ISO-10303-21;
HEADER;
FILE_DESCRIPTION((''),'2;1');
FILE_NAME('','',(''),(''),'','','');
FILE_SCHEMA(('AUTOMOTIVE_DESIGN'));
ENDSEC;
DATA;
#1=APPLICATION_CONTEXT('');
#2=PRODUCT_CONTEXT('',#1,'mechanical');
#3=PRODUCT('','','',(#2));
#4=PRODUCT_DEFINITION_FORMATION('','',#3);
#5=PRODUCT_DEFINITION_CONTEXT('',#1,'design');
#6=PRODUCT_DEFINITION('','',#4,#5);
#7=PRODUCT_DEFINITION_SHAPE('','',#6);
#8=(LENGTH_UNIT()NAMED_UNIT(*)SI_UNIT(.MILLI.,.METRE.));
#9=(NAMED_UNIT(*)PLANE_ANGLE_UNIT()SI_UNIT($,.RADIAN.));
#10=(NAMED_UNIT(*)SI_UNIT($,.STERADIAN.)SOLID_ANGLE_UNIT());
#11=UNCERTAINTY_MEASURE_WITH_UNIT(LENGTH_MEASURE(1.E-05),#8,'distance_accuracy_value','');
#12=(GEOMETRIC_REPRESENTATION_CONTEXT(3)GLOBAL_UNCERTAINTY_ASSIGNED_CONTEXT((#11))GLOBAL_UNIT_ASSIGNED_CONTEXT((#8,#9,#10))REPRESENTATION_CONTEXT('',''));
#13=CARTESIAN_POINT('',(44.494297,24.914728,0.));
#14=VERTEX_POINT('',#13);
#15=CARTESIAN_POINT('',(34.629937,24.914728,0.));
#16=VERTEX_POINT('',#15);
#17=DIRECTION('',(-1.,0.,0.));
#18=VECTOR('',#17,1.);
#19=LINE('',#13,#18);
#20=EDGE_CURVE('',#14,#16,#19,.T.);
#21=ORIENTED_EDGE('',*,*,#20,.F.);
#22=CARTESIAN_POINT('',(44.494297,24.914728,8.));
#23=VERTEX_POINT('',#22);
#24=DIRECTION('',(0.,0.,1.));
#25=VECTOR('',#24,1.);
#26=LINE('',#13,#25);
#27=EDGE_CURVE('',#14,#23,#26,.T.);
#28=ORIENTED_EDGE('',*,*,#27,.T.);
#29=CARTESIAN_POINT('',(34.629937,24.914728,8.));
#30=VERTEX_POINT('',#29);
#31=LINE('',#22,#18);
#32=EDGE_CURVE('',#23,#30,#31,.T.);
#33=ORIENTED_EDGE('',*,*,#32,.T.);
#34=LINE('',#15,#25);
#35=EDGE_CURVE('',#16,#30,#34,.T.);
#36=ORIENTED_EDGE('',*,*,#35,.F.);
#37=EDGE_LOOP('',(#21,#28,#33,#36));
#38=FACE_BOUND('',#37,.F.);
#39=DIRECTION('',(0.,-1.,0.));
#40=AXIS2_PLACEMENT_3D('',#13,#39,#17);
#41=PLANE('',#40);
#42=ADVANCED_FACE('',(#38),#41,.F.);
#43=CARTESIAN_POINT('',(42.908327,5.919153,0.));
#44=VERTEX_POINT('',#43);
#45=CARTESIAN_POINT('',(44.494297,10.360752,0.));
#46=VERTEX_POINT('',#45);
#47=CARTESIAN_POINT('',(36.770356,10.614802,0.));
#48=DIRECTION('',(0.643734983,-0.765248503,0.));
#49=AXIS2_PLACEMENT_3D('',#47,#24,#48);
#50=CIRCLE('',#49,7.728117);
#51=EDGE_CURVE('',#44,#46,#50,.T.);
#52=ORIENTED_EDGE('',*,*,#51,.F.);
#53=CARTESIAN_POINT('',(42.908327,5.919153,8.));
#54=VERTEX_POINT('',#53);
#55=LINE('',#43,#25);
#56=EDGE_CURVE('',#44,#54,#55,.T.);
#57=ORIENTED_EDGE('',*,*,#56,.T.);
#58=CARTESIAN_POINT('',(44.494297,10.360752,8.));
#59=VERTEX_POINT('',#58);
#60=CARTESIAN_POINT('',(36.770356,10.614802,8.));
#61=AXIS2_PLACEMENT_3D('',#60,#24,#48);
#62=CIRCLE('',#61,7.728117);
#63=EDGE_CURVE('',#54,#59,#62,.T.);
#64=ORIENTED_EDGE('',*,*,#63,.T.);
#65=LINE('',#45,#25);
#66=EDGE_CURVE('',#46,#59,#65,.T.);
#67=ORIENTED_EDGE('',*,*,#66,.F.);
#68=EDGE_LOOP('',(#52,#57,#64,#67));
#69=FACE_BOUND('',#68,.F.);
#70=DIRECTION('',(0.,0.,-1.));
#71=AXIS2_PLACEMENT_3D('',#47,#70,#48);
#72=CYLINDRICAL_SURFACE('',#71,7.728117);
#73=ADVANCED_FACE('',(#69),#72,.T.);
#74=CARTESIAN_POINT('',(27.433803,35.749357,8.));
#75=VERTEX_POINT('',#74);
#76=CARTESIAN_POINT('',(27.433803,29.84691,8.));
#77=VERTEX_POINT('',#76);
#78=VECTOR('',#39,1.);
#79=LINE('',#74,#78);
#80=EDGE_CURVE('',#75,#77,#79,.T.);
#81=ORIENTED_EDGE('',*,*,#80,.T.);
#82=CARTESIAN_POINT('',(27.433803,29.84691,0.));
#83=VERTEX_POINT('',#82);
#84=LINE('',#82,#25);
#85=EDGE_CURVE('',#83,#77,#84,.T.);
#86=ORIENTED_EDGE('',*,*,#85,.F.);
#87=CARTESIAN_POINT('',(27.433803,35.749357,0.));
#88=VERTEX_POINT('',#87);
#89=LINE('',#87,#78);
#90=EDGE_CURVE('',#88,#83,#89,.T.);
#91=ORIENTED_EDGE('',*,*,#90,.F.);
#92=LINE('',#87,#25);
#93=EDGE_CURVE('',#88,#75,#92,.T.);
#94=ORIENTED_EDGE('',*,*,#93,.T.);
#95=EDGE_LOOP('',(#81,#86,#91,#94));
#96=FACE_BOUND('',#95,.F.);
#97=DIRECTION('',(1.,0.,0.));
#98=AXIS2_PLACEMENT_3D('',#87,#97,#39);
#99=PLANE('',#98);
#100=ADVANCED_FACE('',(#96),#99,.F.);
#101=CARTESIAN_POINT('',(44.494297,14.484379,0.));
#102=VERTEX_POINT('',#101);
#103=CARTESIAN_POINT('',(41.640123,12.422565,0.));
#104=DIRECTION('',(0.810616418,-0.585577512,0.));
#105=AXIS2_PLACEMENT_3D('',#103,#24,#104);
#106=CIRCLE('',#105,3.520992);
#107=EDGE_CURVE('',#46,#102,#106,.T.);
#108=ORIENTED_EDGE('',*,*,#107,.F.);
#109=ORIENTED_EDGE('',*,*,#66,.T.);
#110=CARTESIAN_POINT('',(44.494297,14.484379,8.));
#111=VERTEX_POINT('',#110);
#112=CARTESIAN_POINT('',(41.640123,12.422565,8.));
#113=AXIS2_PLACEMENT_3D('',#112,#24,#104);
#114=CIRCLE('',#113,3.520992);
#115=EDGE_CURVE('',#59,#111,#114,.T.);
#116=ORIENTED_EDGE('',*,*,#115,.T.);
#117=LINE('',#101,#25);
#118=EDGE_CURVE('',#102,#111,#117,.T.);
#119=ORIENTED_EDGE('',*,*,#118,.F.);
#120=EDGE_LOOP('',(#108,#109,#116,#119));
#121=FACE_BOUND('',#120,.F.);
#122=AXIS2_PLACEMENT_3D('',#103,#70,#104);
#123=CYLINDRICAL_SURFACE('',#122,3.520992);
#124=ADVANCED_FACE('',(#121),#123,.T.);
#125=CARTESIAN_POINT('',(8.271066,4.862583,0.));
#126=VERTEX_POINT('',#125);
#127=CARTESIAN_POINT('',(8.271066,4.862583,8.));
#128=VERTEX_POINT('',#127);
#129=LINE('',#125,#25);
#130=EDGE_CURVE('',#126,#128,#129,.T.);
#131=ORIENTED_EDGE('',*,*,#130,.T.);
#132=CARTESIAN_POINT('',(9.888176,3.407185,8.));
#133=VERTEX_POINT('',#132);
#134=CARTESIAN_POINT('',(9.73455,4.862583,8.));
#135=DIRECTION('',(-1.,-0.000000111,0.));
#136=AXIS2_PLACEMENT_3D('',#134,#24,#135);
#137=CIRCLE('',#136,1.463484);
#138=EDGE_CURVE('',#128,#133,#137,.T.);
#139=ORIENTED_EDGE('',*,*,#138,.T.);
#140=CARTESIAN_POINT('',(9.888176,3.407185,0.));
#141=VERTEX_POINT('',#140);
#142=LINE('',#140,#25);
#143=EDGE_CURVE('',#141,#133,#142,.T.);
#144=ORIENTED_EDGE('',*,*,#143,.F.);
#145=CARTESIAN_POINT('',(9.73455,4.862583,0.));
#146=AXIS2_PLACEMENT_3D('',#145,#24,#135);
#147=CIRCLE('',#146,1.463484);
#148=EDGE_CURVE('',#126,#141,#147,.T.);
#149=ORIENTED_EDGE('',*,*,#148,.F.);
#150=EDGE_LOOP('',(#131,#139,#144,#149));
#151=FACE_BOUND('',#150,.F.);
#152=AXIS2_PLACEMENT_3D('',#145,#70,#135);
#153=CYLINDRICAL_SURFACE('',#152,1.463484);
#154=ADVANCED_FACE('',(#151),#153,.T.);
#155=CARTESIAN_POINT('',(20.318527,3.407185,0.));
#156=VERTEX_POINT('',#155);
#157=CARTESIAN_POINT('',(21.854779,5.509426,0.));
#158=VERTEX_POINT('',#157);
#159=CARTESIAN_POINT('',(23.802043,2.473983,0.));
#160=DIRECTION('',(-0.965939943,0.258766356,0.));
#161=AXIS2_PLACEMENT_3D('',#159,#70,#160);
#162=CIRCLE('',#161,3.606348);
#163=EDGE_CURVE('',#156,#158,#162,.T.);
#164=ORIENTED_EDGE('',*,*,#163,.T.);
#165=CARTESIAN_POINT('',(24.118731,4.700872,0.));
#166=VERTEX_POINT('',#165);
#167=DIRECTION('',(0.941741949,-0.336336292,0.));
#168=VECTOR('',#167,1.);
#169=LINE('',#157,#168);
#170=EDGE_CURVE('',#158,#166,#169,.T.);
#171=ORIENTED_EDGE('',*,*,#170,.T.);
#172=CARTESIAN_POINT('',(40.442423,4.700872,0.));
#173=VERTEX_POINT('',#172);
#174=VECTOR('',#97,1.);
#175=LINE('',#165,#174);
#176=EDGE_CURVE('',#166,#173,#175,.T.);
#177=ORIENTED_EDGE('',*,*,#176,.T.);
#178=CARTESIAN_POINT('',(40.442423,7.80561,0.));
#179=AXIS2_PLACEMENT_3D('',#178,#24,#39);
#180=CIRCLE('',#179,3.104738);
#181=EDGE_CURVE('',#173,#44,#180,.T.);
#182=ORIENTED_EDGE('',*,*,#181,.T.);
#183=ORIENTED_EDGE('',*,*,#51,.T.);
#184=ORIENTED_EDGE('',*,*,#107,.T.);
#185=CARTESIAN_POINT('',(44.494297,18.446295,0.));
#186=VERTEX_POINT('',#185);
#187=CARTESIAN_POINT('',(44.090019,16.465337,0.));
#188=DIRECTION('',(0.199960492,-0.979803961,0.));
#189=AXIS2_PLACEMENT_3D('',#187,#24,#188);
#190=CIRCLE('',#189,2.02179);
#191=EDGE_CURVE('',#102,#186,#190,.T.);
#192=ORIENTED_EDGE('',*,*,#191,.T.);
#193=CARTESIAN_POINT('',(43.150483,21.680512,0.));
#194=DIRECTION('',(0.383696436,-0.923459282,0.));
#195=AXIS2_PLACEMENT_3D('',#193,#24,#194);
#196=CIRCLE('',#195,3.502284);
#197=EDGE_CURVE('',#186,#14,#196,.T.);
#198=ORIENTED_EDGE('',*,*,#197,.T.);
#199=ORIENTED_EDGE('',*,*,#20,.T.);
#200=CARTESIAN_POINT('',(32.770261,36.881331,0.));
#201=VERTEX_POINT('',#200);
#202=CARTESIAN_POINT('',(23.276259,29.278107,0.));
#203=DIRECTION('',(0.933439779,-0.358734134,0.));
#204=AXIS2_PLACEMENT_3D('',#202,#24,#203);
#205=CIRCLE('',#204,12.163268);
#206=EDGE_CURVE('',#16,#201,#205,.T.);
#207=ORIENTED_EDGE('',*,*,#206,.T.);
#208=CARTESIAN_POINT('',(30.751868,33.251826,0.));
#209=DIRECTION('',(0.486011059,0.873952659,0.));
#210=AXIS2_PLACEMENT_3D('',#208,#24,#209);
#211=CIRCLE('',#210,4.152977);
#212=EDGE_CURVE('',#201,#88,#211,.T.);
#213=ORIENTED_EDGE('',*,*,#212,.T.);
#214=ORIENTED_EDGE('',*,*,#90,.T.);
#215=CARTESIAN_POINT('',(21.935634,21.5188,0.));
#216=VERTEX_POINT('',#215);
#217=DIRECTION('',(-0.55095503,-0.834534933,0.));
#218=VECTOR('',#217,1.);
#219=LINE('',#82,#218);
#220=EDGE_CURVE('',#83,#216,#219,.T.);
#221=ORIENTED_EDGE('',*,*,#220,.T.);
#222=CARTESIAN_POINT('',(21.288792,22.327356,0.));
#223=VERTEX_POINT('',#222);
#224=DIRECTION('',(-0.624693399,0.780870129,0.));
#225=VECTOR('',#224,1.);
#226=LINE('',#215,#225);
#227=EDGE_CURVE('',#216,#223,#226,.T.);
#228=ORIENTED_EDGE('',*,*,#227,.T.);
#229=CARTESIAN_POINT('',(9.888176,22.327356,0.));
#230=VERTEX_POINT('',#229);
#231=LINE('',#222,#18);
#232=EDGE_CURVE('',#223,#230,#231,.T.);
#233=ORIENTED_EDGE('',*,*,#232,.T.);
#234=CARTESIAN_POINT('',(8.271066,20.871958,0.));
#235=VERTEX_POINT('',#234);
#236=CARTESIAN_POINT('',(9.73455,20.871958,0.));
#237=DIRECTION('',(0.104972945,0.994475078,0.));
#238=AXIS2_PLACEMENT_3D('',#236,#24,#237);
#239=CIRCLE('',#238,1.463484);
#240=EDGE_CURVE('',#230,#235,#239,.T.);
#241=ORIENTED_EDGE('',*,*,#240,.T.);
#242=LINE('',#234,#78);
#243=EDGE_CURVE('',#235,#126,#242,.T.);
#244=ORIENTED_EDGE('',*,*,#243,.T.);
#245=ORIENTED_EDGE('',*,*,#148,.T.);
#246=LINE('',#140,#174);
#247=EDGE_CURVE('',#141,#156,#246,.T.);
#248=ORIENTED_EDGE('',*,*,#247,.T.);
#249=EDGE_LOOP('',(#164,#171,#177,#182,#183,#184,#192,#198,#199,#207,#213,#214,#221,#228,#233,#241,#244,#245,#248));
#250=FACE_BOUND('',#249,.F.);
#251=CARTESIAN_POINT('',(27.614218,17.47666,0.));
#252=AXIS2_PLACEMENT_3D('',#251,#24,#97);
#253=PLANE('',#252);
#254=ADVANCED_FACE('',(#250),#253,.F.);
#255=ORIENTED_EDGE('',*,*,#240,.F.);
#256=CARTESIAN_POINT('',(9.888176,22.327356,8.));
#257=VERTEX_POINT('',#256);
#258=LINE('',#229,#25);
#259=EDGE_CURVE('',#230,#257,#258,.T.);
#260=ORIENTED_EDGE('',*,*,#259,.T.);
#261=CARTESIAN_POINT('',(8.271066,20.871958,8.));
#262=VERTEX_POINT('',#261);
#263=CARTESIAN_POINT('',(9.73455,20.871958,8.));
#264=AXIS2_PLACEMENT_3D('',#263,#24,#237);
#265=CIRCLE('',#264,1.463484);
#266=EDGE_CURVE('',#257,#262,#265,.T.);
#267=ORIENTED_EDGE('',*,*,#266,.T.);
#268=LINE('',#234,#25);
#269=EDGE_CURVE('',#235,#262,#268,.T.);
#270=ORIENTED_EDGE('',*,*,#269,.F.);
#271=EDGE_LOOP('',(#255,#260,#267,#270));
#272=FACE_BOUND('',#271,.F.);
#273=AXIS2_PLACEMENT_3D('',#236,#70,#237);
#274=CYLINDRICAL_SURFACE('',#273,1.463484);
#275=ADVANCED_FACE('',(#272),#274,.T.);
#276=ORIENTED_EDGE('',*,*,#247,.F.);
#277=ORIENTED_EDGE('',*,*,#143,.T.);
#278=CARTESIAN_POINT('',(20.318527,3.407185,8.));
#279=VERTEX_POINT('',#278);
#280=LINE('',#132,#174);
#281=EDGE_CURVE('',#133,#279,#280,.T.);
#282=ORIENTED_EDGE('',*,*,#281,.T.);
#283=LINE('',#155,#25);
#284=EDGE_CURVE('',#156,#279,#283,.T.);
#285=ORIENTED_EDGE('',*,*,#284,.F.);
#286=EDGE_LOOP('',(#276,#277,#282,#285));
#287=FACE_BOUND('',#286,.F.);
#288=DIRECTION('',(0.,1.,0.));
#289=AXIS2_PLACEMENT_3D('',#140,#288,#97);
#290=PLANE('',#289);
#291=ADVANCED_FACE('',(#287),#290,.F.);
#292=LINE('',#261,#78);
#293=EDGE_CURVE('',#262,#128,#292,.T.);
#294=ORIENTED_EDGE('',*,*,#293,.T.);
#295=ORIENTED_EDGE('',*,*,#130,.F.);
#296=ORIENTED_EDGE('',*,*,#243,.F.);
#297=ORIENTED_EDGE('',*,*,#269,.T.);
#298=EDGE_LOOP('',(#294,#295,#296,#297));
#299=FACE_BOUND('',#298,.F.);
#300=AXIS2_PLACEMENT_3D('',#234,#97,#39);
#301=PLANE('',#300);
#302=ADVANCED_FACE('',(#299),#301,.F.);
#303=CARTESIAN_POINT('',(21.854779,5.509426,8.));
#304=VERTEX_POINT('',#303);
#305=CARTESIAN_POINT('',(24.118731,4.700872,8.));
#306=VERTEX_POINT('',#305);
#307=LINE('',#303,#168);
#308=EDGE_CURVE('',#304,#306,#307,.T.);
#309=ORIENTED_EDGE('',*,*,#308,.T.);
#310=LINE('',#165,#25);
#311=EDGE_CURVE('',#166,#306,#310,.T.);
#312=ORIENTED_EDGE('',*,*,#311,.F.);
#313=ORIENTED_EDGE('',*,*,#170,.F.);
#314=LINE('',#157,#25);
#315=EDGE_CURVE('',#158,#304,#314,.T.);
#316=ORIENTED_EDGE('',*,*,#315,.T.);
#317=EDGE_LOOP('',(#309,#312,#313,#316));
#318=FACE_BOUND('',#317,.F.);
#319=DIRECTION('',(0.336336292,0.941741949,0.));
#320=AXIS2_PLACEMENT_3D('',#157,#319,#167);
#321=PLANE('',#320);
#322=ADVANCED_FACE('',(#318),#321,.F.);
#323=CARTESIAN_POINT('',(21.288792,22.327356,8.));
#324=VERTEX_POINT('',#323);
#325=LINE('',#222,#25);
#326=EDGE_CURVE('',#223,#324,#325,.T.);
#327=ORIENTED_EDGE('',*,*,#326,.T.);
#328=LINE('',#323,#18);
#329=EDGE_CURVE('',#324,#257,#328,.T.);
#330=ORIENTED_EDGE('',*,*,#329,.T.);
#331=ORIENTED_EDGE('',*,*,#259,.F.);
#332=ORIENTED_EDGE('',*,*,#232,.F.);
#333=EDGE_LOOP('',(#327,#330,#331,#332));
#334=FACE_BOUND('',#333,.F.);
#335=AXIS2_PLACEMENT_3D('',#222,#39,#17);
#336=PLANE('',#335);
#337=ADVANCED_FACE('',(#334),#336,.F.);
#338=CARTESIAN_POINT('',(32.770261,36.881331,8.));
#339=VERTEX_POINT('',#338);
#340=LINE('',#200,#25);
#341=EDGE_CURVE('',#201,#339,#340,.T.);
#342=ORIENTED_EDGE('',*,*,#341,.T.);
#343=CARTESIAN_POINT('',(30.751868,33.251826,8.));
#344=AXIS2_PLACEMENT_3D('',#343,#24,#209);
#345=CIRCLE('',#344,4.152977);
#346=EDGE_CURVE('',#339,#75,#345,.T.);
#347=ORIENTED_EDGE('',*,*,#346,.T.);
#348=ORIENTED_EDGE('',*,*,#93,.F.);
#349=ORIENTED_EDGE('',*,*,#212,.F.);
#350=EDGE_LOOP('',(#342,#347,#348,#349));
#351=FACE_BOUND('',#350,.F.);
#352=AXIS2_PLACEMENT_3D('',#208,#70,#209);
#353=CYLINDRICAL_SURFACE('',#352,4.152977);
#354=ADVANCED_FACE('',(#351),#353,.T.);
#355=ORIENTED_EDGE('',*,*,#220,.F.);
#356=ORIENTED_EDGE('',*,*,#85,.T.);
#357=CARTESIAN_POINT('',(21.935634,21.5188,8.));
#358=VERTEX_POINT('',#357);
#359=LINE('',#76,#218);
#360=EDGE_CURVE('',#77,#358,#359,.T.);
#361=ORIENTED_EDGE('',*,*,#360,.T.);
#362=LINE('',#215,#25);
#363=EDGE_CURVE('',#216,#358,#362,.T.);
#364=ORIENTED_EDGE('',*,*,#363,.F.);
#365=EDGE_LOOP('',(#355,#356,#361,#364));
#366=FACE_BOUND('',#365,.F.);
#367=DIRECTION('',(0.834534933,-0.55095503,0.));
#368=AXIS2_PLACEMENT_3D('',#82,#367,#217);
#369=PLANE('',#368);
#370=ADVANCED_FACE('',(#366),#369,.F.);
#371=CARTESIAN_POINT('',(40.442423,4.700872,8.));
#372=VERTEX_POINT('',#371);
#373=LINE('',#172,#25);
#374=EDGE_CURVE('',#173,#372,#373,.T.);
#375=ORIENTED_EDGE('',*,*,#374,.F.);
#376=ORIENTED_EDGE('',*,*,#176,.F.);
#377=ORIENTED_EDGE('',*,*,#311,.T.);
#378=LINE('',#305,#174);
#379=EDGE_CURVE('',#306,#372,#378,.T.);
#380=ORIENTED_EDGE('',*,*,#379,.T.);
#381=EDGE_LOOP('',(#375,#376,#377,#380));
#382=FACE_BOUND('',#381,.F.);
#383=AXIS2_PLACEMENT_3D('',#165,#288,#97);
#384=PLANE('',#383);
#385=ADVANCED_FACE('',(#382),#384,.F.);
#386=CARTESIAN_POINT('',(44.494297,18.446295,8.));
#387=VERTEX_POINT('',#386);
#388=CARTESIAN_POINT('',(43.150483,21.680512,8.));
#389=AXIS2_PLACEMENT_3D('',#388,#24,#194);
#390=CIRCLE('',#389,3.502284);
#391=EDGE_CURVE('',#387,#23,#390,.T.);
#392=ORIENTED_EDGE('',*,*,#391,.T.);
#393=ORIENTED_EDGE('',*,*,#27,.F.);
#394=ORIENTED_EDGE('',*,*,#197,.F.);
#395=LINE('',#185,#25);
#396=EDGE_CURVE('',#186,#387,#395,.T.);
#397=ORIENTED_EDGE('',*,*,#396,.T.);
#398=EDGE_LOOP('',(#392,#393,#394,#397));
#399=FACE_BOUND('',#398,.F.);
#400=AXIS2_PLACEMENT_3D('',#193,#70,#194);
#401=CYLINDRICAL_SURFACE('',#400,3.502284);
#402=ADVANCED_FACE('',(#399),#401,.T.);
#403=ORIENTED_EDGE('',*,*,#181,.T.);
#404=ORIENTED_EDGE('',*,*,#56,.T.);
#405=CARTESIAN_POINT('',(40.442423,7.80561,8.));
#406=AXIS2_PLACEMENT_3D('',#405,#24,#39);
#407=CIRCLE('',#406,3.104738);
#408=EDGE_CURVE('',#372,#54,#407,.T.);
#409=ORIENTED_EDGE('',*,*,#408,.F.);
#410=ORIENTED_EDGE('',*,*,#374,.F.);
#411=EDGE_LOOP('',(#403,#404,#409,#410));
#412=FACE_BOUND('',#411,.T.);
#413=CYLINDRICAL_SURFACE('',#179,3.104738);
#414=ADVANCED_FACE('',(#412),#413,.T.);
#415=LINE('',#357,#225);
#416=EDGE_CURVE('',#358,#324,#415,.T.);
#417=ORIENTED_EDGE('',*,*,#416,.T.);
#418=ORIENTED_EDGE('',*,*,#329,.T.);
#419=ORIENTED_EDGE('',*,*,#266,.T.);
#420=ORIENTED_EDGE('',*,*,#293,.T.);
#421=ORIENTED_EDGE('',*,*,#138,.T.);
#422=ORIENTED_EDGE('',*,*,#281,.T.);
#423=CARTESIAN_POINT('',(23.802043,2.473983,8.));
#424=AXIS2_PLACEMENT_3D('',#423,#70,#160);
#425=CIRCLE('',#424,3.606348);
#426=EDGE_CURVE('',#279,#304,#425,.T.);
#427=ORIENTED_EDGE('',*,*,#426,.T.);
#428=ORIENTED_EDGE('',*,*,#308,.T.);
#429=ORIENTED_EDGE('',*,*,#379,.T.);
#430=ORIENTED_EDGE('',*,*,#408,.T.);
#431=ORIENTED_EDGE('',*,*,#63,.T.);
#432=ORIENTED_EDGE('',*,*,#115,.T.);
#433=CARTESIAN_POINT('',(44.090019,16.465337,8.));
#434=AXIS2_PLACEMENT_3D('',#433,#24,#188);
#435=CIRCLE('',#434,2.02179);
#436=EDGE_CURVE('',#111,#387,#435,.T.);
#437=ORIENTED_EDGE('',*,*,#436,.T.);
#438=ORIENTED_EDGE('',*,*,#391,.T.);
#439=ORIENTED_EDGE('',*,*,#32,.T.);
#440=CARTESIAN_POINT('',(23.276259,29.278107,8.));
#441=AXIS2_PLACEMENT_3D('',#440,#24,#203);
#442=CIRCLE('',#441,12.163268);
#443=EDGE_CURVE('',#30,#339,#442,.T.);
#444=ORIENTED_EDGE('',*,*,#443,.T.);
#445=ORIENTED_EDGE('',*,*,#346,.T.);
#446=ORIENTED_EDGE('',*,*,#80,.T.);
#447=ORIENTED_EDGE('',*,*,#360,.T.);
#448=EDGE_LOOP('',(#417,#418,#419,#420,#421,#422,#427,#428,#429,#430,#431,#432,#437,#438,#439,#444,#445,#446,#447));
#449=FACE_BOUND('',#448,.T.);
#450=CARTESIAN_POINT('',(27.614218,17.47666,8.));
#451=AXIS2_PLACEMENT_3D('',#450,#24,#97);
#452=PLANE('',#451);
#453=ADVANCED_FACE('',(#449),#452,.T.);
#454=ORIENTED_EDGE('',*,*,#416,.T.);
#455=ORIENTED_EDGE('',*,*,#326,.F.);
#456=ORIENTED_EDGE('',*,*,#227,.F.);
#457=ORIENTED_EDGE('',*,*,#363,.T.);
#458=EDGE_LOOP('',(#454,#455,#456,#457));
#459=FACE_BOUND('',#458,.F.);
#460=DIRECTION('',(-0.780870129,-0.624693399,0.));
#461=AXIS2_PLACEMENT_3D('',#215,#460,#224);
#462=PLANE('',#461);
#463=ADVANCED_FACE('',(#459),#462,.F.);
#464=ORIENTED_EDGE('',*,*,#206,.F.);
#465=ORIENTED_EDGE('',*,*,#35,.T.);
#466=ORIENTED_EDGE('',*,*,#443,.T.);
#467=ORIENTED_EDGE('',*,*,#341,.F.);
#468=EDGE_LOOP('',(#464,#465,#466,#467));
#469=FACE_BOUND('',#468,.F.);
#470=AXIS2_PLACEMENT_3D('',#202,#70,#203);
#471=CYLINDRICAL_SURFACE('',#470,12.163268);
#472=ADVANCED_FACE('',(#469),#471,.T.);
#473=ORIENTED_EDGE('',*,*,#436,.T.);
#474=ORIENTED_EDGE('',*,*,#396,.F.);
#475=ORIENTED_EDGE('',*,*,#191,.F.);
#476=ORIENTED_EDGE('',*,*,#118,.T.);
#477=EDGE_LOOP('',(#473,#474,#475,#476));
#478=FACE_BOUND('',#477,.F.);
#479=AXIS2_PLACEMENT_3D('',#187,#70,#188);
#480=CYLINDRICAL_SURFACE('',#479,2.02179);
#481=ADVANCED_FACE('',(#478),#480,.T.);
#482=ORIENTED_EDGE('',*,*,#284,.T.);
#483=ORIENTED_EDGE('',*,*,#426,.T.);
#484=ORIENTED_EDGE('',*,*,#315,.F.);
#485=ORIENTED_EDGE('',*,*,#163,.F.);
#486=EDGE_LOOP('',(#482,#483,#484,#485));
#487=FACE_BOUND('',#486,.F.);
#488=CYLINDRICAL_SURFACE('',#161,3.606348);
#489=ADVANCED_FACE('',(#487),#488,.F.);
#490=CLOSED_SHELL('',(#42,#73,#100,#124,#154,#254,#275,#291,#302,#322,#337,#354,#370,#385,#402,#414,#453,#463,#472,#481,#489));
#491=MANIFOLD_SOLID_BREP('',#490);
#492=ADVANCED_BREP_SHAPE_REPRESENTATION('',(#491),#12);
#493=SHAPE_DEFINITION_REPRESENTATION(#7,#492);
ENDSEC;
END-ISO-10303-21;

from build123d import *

# Parameters (mm, degrees)
F1_DEPTH = 8
F2_R     = 3.104738


with BuildPart() as f1:
    # F0 (on Top) → F1 (new body)
    with BuildSketch(Plane.XY):
        with BuildLine():
            ThreePointArc((9.888176, 22.327356), (8.755531, 21.959757), (8.271066, 20.871958))
            Line((8.271066, 20.871958), (8.271066, 4.862583))
            ThreePointArc((8.271066, 4.862583), (8.755531, 3.774784), (9.888176, 3.407185))
            Line((9.888176, 3.407185), (20.318527, 3.407185))
            ThreePointArc((20.318527, 3.407185), (20.890308, 4.601787), (21.854779, 5.509426))
            Line((21.854779, 5.509426), (24.118731, 4.700872))
            Line((24.118731, 4.700872), (41.745216, 4.700872))
            ThreePointArc((41.745216, 4.700872), (43.721863, 7.238361), (44.494297, 10.360752))
            ThreePointArc((44.494297, 10.360752), (45.161115, 12.422565), (44.494297, 14.484379))
            ThreePointArc((44.494297, 14.484379), (46.111809, 16.465337), (44.494297, 18.446295))
            ThreePointArc((44.494297, 18.446295), (46.652767, 21.680512), (44.494297, 24.914728))
            Line((44.494297, 24.914728), (34.629937, 24.914728))
            ThreePointArc((34.629937, 24.914728), (35.295258, 31.145926), (32.770261, 36.881331))
            ThreePointArc((32.770261, 36.881331), (29.89011, 37.31441), (27.433803, 35.749357))
            Line((27.433803, 35.749357), (27.433803, 29.84691))
            Line((27.433803, 29.84691), (21.935634, 21.5188))
            Line((21.935634, 21.5188), (21.288792, 22.327356))
            Line((21.288792, 22.327356), (9.888176, 22.327356))
        make_face()
    extrude(amount=F1_DEPTH)

    # F2
    f2_edges = [f1.edges().sort_by_distance(p)[0] for p in [
        (41.745216, 4.700872, 4),
    ]]
    fillet(f2_edges, radius=F2_R)


solid = f1.part
